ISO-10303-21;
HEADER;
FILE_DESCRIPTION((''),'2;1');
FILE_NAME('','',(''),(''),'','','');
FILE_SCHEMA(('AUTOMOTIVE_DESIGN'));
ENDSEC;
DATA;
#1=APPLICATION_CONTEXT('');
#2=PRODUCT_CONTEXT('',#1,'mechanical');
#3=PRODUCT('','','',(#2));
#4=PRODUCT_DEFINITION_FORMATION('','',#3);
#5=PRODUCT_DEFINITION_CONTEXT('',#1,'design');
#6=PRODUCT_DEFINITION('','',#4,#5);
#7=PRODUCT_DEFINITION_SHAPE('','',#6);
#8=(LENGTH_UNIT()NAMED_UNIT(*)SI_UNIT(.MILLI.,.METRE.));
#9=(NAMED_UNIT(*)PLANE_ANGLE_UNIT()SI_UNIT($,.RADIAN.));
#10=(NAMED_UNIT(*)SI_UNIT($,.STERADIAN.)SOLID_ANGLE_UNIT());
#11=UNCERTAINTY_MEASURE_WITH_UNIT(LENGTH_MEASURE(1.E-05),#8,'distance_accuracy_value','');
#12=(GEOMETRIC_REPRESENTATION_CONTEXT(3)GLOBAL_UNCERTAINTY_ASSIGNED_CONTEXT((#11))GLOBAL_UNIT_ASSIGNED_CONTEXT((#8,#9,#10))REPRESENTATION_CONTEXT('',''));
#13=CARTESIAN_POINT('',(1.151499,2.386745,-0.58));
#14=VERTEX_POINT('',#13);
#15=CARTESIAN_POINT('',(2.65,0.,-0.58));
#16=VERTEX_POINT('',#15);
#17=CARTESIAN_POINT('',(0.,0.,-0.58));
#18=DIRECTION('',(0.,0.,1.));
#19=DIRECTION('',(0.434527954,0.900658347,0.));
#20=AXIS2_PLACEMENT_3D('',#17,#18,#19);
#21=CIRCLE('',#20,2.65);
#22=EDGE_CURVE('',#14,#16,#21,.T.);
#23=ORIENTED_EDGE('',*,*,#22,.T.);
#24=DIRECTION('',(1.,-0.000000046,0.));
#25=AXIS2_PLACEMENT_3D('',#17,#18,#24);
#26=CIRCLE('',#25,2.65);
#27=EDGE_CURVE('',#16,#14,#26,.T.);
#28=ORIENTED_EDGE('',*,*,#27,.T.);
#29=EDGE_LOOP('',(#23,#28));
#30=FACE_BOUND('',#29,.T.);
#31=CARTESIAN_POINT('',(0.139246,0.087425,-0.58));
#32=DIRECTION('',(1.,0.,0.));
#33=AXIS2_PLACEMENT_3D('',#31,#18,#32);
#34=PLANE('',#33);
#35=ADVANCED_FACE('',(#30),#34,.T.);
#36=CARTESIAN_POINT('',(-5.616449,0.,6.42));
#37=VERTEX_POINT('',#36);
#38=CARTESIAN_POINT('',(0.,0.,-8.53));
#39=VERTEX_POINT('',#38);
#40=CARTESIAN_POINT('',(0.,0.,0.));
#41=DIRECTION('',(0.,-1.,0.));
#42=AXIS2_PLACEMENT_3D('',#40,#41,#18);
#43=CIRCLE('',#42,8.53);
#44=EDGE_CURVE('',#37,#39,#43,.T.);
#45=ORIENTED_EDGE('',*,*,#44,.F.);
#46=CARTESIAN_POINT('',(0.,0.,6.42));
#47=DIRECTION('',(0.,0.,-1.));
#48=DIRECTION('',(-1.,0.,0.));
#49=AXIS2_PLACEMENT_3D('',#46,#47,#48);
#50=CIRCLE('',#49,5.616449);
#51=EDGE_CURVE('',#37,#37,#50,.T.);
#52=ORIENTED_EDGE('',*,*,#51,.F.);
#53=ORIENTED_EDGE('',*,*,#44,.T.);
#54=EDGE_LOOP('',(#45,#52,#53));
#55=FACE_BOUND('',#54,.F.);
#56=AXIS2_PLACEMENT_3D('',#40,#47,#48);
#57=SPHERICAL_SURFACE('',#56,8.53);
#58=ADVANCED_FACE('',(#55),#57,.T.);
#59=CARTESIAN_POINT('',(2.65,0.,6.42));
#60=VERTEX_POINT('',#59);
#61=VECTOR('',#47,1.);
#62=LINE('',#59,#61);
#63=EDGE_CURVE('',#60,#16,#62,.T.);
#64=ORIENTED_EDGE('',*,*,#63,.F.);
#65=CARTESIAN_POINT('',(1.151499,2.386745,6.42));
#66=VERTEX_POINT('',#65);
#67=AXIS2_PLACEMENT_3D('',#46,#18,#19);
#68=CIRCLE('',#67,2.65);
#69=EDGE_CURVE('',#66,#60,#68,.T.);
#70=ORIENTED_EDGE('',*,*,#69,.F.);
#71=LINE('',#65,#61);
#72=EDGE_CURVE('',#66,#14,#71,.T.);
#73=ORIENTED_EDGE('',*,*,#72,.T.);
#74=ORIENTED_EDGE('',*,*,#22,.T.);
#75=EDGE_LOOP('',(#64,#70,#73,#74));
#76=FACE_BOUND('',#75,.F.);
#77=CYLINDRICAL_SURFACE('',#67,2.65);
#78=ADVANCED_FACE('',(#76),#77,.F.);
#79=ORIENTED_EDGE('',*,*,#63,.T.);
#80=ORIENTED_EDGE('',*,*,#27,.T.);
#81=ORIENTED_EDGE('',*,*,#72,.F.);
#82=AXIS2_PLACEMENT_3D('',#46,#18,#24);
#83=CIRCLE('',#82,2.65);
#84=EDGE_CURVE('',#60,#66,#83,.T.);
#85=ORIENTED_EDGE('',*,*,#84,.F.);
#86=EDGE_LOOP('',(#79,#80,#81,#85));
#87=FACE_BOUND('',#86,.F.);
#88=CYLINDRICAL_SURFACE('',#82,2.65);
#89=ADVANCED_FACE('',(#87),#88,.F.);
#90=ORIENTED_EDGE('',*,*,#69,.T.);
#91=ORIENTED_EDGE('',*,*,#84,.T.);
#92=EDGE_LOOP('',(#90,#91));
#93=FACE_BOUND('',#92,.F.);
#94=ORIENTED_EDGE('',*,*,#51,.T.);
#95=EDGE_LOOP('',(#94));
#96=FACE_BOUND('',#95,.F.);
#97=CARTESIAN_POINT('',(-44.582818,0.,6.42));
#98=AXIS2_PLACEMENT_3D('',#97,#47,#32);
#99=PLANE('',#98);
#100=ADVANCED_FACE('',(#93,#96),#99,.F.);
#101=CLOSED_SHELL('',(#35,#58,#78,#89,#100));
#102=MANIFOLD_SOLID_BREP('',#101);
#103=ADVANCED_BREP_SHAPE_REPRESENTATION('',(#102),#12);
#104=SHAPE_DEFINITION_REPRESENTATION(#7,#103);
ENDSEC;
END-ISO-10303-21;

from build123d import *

# Parameters (mm, degrees)
F3_DEPTH = 20
F5_DEPTH = 7


with BuildPart() as f1:
    # F0 (on Front) → F1 (revolve)
    with BuildSketch(Plane.XZ):
        with BuildLine():
            Line((0, 0), (0, 8.53))
            ThreePointArc((0, 8.53), (-8.53, 0), (0, -8.53))
            Line((0, -8.53), (0, 0))
        make_face()
    revolve(axis=Axis((0, 0, 4.265), (0, 0, 1)))

    # F2 (on Front) → F3 (cut, symmetric)
    with BuildSketch(Plane.XZ):
        Polygon((-44.582818, 6.42), (0, 6.42), (47.697775, 6.42), (0, 28.326638), align=None)
    extrude(amount=F3_DEPTH, both=True, mode=Mode.SUBTRACT)

    # F4 (on face) → F5 (cut)
    with BuildSketch(Plane.XY.offset(6.42)):
        with BuildLine():
            ThreePointArc((1.151499, 2.386745), (-2.244323, -1.409083), (2.65, 0))
            ThreePointArc((2.65, 0), (2.244323, 1.409083), (1.151499, 2.386745))
        make_face()
    extrude(amount=-F5_DEPTH, mode=Mode.SUBTRACT)


solid = f1.part
